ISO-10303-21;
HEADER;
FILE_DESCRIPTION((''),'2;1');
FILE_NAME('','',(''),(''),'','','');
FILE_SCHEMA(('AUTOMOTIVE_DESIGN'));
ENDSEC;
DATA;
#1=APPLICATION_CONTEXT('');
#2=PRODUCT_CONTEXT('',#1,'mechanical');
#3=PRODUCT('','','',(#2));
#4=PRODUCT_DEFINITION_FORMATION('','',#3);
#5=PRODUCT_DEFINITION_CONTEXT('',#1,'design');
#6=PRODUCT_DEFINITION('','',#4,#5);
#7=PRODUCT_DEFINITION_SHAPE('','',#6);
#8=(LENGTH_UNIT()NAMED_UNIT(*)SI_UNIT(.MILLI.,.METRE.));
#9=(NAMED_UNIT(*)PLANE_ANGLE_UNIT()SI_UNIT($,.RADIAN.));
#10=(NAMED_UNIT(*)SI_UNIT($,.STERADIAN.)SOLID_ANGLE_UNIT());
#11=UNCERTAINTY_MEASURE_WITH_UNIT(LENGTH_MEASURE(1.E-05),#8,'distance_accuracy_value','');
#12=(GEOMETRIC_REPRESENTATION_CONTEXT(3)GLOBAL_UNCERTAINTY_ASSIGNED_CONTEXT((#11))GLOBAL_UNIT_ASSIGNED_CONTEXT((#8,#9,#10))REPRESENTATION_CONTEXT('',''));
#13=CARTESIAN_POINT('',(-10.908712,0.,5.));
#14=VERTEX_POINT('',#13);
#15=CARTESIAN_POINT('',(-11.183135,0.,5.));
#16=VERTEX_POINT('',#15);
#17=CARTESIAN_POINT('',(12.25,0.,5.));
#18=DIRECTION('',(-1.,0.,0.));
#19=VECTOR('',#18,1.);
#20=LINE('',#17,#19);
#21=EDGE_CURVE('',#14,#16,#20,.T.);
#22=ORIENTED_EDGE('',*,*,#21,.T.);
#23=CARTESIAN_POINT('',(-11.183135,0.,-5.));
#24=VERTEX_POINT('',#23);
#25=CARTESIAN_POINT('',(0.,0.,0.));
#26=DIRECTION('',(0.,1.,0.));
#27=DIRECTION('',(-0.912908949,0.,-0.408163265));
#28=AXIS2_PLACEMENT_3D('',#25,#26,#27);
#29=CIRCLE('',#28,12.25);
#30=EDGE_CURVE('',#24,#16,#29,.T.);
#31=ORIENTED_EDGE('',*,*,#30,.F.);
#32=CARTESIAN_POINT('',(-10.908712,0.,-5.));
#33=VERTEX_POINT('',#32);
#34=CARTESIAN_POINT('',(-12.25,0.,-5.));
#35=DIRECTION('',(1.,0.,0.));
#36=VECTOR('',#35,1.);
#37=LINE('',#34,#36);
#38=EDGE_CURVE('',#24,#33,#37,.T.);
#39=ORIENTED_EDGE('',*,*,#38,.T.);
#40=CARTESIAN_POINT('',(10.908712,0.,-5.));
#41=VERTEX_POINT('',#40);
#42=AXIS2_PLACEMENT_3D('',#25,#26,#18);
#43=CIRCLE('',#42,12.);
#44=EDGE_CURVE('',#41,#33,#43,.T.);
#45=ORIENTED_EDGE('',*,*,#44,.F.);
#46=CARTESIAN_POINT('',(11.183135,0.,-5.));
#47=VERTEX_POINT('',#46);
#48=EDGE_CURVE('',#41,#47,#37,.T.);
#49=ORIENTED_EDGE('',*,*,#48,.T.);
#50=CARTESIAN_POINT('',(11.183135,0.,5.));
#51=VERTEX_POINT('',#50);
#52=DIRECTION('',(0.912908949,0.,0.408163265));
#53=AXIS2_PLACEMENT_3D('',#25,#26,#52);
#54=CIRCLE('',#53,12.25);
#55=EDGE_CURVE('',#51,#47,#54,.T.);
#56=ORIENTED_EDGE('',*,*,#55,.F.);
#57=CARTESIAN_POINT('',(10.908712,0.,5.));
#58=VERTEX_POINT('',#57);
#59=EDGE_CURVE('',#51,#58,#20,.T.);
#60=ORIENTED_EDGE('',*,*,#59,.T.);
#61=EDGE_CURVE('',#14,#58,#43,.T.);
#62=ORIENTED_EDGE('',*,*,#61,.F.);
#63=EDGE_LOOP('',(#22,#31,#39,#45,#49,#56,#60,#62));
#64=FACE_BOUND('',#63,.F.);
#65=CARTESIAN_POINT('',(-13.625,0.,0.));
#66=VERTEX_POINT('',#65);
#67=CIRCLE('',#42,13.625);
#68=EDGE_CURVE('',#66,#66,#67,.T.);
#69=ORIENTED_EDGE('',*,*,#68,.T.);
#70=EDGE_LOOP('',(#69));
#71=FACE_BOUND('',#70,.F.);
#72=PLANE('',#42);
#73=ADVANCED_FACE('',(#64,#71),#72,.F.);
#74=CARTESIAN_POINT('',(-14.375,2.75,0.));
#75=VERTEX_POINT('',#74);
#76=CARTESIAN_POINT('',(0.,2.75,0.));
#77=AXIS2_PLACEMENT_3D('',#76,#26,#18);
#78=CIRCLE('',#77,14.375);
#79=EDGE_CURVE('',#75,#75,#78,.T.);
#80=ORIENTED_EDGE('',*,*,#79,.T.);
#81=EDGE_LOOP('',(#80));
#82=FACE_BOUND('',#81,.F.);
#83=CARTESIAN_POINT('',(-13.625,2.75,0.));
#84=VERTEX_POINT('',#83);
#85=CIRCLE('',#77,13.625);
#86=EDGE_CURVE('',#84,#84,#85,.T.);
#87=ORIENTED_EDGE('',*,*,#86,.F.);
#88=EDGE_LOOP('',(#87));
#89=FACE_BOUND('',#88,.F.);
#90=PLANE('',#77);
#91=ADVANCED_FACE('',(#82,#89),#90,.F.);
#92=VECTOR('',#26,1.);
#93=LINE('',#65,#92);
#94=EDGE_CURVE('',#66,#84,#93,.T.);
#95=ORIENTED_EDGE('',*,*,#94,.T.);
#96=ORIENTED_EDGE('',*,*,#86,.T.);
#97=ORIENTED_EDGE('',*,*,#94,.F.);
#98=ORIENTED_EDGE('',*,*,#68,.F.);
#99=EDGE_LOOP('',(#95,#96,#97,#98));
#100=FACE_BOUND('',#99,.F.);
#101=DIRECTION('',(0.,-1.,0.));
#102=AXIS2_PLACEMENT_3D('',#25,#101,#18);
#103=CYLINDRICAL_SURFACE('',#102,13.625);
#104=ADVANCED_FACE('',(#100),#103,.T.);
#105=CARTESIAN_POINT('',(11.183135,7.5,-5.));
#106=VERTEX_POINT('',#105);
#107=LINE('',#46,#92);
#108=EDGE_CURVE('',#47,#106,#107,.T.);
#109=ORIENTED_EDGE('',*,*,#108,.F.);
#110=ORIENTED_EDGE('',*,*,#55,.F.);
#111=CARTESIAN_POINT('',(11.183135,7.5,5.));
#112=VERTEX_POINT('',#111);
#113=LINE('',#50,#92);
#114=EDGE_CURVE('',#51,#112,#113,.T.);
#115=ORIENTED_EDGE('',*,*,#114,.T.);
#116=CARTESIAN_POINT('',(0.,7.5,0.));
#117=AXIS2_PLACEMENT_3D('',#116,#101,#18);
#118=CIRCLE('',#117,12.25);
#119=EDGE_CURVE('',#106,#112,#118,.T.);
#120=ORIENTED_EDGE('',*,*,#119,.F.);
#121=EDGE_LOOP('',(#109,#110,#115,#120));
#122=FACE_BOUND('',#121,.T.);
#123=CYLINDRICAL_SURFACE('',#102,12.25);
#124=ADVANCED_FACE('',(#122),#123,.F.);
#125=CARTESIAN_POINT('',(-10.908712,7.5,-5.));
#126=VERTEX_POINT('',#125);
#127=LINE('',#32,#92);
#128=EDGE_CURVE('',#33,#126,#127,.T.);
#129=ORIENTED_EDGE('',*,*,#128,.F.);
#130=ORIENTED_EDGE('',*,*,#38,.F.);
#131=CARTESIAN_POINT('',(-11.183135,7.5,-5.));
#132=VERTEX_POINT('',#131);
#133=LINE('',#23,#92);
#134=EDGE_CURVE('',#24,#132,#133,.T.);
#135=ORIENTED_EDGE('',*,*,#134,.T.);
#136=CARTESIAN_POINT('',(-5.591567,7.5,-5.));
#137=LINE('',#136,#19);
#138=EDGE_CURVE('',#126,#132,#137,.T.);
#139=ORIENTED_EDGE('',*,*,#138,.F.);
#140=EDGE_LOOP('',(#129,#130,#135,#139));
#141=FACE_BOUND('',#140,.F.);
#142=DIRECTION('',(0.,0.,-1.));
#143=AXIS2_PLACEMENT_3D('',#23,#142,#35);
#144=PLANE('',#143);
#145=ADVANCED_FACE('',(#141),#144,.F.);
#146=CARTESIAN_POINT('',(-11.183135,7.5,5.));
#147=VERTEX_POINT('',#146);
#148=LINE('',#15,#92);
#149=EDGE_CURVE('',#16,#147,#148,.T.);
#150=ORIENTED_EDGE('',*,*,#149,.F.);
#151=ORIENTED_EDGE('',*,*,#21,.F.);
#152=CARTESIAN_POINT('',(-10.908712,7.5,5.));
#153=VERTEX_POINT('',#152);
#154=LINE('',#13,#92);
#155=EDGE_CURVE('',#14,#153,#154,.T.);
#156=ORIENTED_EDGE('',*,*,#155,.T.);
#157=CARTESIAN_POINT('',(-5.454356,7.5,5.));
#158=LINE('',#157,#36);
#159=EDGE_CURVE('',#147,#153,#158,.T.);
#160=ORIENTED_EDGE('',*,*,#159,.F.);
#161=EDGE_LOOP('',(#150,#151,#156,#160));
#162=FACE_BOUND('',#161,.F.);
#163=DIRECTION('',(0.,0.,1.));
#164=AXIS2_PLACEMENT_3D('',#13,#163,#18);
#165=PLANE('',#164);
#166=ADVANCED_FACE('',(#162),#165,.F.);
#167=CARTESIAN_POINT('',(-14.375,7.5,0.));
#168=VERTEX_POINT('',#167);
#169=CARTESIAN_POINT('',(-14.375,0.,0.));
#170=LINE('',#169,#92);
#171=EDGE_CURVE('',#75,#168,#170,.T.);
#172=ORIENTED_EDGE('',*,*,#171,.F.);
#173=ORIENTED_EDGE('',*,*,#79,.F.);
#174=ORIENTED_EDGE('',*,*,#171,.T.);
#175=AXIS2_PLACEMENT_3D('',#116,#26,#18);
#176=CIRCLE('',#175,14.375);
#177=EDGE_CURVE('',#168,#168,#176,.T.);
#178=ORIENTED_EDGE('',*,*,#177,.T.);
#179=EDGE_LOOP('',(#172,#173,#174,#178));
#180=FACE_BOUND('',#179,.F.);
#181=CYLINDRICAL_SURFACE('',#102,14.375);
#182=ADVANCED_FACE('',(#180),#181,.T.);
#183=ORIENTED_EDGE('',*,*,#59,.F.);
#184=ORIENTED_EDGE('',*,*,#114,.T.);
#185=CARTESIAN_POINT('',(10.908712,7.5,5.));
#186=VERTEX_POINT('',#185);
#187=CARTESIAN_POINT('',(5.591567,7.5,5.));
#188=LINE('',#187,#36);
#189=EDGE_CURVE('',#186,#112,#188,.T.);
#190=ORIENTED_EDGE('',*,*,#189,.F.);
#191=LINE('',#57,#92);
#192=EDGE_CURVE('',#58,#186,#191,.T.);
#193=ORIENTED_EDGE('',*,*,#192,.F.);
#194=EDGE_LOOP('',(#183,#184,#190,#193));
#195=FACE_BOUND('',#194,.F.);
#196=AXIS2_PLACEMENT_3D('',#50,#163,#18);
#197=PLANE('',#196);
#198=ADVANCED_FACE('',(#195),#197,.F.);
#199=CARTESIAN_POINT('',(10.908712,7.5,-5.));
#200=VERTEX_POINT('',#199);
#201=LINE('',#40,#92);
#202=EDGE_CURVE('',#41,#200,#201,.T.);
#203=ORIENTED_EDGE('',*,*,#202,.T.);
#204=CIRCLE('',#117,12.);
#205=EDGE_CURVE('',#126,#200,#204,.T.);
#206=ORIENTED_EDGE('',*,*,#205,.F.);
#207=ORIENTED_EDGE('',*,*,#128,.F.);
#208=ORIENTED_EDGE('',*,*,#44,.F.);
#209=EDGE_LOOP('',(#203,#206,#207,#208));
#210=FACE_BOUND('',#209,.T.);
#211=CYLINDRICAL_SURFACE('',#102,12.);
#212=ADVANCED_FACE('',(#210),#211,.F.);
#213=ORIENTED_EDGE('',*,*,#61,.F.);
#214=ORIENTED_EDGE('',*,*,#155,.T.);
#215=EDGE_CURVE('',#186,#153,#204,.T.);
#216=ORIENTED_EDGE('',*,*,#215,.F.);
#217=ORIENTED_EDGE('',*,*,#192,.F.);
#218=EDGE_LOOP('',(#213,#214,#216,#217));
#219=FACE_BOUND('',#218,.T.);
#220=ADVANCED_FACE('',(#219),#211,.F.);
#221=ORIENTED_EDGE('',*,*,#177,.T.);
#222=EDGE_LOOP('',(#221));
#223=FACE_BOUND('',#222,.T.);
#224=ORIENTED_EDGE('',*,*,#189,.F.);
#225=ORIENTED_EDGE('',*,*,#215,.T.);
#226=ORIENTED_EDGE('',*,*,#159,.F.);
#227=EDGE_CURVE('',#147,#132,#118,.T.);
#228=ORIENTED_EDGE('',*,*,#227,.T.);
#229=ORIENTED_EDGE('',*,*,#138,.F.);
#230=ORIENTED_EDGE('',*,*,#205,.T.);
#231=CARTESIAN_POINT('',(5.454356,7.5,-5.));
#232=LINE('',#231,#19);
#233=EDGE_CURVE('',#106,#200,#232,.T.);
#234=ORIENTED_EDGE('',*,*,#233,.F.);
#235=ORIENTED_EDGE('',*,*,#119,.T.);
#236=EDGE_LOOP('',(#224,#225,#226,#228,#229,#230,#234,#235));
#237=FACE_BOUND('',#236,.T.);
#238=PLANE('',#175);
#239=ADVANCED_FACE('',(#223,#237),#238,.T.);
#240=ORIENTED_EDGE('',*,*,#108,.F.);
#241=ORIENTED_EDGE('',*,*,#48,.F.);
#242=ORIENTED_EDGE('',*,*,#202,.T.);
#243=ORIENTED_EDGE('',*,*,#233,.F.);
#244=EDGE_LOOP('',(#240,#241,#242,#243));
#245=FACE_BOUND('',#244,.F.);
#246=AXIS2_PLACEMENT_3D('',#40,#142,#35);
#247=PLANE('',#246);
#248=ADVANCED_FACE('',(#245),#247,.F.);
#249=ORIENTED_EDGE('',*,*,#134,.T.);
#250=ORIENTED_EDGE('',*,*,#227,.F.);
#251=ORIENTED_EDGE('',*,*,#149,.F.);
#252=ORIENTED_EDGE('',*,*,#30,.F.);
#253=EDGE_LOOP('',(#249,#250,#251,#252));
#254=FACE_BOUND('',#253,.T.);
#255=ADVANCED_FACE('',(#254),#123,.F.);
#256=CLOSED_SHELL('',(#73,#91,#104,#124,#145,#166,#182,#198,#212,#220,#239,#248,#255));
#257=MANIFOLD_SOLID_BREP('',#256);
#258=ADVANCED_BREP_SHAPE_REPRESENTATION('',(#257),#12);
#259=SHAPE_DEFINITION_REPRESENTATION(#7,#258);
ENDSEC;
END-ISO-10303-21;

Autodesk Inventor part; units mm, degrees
ref_plane "YZ Plane" through (0, 0, 0) normal (1, 0, 0) x (0, 1, 0)
ref_plane "XZ Plane" through (0, 0, 0) normal (0, 1, 0) x (-1, 0, 0)
ref_plane "XY Plane" through (0, 0, 0) normal (0, 0, 1) x (1, 0, 0)
sketch "Sketch1" plane through (0, 0, 0) normal (0, 1, 0) x (-1, 0, 0)
  circle A0 centre (0, 0) radius 14.375
  circle A1 centre (0, 0) radius 12
  circle A2 centre (0, 0) radius 13.625
  circle A3 centre (0, 0) radius 12.25
  line L0 (12.25, -5) -> (-12.25, -5)
  line L1 (-12.25, -5) -> (-12.25, 5)
  line L2 (-12.25, 5) -> (12.25, 5)
  line L3 (12.25, 5) -> (12.25, -5)
  line L4 (12.25, -5) -> (-12.25, 5) construction
  line L5 (-12.25, -5) -> (12.25, 5) construction
  point P0 (-10.9087, 5)
  point P1 (-11.1831, 5)
  point P2 (-11.1831, -5)
  point P3 (-10.9087, -5)
  point P4 (11.1831, 5)
  point P5 (10.9087, 5)
  point P6 (10.9087, -5)
  point P7 (11.1831, -5)
  dimension "d0" = 28.75
  dimension "d1" = 24
  dimension "d4" = 27.25
  dimension "d9" = 24.5
  dimension "d10" = 10
extrude "Extrusion1" add sketch "Sketch1" along normal blind 7.5 contours A0 | A1 L2 A3 L0 | A1 L2 A3 | L0 A3 A1 | A1 L0 A3 L2 | L2 L3 A3 | A3 L3 L0 | A3 L1 L2 | L0 L1 A3 | A2
extrude "Extrusion2" cut sketch "Sketch1" along normal blind 2.75 contours A0
thread "Thread1" size "M24x0.75" class "6H" standard "ANSI Metric M Profile" full length
extrude "Extrusion3" cut sketch "Sketch1" along normal through all contours A1 L2 A3 L0 | A1 L0 A3 L2
properties part number "Bottom Nut" material "ABS Plastic"
